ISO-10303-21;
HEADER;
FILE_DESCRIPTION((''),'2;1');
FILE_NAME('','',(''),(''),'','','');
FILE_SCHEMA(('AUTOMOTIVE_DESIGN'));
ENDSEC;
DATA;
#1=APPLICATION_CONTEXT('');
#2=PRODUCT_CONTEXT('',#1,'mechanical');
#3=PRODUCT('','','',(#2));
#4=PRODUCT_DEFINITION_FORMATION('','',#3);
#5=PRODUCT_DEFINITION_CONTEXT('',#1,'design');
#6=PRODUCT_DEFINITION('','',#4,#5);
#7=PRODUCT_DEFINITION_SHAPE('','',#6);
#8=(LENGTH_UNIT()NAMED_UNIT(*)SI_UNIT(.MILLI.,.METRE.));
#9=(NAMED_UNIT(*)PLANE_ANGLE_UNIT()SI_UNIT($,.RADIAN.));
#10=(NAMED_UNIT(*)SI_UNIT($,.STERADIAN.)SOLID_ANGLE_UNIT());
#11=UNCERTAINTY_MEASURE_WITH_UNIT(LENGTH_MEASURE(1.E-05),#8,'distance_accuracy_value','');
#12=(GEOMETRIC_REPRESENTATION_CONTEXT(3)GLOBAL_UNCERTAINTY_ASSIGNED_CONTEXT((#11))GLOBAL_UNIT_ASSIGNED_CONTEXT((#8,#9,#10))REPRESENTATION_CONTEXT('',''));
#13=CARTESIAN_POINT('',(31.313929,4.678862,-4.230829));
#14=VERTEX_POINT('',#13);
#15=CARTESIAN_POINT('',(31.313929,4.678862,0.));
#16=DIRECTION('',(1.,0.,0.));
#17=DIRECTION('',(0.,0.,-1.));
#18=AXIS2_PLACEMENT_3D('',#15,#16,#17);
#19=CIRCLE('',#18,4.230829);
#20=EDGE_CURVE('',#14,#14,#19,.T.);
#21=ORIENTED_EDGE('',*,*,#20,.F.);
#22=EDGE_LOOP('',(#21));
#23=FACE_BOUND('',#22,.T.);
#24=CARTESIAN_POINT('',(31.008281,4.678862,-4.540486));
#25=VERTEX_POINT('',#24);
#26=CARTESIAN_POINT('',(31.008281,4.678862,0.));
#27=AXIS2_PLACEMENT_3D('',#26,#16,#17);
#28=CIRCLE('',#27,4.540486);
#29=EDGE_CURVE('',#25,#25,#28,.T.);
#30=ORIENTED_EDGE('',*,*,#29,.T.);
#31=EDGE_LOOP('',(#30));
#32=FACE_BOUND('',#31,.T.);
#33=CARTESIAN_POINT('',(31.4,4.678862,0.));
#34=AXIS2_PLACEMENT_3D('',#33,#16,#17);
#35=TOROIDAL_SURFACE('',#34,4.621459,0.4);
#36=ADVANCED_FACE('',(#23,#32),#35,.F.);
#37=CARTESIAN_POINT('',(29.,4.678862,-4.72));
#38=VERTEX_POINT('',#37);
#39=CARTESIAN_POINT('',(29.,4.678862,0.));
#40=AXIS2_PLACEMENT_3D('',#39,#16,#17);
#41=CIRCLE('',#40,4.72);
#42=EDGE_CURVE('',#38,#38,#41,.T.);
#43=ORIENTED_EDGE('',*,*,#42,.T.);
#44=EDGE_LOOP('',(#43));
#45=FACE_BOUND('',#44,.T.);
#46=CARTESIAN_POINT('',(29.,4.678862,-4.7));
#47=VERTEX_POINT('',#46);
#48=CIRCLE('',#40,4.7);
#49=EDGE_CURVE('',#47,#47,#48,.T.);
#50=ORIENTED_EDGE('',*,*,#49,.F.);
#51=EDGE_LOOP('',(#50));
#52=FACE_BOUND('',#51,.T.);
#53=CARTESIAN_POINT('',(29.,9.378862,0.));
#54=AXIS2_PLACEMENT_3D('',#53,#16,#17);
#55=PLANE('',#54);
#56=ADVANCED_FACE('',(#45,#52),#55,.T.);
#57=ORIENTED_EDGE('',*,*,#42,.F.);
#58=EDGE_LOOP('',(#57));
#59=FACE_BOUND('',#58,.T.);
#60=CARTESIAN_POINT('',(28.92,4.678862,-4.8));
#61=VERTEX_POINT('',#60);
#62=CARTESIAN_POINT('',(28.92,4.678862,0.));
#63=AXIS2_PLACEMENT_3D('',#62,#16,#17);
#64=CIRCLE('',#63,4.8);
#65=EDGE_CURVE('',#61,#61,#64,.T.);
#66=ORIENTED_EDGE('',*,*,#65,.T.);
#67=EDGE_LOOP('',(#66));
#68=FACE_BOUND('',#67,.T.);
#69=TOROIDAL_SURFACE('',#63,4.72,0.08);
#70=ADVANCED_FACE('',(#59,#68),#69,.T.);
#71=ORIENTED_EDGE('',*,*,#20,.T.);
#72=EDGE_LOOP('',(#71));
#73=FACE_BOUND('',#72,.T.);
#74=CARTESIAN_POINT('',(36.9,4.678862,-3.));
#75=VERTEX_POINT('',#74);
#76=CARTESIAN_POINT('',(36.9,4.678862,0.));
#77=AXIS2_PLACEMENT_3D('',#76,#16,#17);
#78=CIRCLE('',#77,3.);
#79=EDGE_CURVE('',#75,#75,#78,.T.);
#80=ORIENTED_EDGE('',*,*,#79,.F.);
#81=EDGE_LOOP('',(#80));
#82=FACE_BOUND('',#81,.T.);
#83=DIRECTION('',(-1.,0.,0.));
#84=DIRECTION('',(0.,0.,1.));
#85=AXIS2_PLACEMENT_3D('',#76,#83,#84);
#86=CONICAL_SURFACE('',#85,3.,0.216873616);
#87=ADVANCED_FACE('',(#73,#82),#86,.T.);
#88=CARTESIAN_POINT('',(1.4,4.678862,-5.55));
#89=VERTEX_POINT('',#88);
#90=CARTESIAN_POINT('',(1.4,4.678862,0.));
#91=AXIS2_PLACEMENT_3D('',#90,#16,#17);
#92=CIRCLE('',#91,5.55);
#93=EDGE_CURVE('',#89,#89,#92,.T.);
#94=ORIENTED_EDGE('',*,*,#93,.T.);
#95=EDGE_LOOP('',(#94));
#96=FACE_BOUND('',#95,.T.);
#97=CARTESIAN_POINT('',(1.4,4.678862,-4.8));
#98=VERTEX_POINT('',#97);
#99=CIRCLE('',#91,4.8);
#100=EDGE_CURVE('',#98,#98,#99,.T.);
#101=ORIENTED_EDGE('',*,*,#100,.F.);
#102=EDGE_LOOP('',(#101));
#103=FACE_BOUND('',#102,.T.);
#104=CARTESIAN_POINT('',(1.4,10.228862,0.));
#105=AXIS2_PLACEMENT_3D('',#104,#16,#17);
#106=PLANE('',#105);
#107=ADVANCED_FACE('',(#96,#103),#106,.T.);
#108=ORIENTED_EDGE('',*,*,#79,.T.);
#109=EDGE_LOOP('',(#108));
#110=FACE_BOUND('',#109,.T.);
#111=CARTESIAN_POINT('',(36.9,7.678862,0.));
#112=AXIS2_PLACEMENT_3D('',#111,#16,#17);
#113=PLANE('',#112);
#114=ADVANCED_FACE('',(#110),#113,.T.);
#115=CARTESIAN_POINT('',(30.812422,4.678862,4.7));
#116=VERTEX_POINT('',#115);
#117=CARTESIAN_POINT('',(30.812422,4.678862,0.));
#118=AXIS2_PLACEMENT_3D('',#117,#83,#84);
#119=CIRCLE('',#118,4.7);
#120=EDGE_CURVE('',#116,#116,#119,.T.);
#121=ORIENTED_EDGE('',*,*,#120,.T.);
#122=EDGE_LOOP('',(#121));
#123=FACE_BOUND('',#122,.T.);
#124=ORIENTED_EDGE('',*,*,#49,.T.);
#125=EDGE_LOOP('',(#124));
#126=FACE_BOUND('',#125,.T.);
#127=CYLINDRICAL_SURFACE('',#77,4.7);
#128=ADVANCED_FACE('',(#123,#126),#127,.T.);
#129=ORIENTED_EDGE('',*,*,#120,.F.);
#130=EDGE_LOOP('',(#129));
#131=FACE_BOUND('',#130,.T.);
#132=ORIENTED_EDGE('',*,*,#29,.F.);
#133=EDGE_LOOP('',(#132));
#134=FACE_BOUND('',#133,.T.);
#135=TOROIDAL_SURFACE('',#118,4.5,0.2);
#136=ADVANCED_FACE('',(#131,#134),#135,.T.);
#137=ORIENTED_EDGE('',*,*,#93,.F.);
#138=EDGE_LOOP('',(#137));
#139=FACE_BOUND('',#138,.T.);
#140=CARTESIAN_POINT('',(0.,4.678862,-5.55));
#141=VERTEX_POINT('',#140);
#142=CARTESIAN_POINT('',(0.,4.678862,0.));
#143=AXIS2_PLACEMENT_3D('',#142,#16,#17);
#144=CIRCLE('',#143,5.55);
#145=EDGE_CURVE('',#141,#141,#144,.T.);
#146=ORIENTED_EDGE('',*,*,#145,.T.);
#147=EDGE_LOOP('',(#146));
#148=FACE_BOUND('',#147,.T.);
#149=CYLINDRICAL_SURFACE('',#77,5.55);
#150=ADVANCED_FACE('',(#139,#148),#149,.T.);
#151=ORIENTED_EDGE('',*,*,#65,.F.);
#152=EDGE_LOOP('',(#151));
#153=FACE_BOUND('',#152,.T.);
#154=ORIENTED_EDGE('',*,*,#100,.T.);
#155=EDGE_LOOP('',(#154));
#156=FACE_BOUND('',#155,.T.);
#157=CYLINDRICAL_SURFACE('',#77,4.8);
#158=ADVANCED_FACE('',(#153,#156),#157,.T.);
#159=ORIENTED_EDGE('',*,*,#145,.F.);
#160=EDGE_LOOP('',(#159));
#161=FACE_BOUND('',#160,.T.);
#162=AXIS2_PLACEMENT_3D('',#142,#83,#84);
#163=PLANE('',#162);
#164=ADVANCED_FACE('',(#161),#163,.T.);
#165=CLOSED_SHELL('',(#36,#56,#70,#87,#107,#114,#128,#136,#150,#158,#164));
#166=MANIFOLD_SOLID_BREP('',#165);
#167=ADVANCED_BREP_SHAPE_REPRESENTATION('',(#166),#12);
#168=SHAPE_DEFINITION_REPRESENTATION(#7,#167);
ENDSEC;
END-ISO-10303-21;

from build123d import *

# Parameters (mm, degrees)
FILETE1_R = 0.2


with BuildPart() as part:
    # Esboço1 → Revolução1 (revolve)
    with BuildSketch(Plane.XY, mode=Mode.PRIVATE) as revolu_o1_sk:
        with BuildLine():
            Line((0, 4.678862418), (0, 10.228862418))
            Line((0, 10.228862418), (1.4, 10.228862418))
            Line((1.4, 10.228862418), (1.4, 9.478862418))
            Line((1.4, 9.478862418), (28.92, 9.478862418))
            ThreePointArc((28.92, 9.478862418), (28.976568542, 9.455430961), (29, 9.398862418))
            Line((29, 9.398862418), (29, 9.378862418))
            Line((29, 9.378862418), (31, 9.378862418))
            Line((31, 9.378862418), (31, 9.300321604))
            ThreePointArc((31, 9.300321604), (31.088208078, 9.049750661), (31.313928988, 8.909691624))
            Line((31.313928988, 8.909691624), (36.9, 7.678862418))
            Line((36.9, 7.678862418), (36.9, 4.678862418))
            Line((36.9, 4.678862418), (0, 4.678862418))
        make_face()
    revolve(revolu_o1_sk.sketch.rotate(Axis((36.9, 4.678862418, 0), (-1, 0, 0)), 90), axis=Axis((36.9, 4.678862418, 0), (-1, 0, 0)))

    # Filete1
    filete1_edges = [part.edges().sort_by_distance(p)[0] for p in [
        (31, 4.678862418, 4.7),
    ]]
    fillet(filete1_edges, radius=FILETE1_R)


solid = part.part
